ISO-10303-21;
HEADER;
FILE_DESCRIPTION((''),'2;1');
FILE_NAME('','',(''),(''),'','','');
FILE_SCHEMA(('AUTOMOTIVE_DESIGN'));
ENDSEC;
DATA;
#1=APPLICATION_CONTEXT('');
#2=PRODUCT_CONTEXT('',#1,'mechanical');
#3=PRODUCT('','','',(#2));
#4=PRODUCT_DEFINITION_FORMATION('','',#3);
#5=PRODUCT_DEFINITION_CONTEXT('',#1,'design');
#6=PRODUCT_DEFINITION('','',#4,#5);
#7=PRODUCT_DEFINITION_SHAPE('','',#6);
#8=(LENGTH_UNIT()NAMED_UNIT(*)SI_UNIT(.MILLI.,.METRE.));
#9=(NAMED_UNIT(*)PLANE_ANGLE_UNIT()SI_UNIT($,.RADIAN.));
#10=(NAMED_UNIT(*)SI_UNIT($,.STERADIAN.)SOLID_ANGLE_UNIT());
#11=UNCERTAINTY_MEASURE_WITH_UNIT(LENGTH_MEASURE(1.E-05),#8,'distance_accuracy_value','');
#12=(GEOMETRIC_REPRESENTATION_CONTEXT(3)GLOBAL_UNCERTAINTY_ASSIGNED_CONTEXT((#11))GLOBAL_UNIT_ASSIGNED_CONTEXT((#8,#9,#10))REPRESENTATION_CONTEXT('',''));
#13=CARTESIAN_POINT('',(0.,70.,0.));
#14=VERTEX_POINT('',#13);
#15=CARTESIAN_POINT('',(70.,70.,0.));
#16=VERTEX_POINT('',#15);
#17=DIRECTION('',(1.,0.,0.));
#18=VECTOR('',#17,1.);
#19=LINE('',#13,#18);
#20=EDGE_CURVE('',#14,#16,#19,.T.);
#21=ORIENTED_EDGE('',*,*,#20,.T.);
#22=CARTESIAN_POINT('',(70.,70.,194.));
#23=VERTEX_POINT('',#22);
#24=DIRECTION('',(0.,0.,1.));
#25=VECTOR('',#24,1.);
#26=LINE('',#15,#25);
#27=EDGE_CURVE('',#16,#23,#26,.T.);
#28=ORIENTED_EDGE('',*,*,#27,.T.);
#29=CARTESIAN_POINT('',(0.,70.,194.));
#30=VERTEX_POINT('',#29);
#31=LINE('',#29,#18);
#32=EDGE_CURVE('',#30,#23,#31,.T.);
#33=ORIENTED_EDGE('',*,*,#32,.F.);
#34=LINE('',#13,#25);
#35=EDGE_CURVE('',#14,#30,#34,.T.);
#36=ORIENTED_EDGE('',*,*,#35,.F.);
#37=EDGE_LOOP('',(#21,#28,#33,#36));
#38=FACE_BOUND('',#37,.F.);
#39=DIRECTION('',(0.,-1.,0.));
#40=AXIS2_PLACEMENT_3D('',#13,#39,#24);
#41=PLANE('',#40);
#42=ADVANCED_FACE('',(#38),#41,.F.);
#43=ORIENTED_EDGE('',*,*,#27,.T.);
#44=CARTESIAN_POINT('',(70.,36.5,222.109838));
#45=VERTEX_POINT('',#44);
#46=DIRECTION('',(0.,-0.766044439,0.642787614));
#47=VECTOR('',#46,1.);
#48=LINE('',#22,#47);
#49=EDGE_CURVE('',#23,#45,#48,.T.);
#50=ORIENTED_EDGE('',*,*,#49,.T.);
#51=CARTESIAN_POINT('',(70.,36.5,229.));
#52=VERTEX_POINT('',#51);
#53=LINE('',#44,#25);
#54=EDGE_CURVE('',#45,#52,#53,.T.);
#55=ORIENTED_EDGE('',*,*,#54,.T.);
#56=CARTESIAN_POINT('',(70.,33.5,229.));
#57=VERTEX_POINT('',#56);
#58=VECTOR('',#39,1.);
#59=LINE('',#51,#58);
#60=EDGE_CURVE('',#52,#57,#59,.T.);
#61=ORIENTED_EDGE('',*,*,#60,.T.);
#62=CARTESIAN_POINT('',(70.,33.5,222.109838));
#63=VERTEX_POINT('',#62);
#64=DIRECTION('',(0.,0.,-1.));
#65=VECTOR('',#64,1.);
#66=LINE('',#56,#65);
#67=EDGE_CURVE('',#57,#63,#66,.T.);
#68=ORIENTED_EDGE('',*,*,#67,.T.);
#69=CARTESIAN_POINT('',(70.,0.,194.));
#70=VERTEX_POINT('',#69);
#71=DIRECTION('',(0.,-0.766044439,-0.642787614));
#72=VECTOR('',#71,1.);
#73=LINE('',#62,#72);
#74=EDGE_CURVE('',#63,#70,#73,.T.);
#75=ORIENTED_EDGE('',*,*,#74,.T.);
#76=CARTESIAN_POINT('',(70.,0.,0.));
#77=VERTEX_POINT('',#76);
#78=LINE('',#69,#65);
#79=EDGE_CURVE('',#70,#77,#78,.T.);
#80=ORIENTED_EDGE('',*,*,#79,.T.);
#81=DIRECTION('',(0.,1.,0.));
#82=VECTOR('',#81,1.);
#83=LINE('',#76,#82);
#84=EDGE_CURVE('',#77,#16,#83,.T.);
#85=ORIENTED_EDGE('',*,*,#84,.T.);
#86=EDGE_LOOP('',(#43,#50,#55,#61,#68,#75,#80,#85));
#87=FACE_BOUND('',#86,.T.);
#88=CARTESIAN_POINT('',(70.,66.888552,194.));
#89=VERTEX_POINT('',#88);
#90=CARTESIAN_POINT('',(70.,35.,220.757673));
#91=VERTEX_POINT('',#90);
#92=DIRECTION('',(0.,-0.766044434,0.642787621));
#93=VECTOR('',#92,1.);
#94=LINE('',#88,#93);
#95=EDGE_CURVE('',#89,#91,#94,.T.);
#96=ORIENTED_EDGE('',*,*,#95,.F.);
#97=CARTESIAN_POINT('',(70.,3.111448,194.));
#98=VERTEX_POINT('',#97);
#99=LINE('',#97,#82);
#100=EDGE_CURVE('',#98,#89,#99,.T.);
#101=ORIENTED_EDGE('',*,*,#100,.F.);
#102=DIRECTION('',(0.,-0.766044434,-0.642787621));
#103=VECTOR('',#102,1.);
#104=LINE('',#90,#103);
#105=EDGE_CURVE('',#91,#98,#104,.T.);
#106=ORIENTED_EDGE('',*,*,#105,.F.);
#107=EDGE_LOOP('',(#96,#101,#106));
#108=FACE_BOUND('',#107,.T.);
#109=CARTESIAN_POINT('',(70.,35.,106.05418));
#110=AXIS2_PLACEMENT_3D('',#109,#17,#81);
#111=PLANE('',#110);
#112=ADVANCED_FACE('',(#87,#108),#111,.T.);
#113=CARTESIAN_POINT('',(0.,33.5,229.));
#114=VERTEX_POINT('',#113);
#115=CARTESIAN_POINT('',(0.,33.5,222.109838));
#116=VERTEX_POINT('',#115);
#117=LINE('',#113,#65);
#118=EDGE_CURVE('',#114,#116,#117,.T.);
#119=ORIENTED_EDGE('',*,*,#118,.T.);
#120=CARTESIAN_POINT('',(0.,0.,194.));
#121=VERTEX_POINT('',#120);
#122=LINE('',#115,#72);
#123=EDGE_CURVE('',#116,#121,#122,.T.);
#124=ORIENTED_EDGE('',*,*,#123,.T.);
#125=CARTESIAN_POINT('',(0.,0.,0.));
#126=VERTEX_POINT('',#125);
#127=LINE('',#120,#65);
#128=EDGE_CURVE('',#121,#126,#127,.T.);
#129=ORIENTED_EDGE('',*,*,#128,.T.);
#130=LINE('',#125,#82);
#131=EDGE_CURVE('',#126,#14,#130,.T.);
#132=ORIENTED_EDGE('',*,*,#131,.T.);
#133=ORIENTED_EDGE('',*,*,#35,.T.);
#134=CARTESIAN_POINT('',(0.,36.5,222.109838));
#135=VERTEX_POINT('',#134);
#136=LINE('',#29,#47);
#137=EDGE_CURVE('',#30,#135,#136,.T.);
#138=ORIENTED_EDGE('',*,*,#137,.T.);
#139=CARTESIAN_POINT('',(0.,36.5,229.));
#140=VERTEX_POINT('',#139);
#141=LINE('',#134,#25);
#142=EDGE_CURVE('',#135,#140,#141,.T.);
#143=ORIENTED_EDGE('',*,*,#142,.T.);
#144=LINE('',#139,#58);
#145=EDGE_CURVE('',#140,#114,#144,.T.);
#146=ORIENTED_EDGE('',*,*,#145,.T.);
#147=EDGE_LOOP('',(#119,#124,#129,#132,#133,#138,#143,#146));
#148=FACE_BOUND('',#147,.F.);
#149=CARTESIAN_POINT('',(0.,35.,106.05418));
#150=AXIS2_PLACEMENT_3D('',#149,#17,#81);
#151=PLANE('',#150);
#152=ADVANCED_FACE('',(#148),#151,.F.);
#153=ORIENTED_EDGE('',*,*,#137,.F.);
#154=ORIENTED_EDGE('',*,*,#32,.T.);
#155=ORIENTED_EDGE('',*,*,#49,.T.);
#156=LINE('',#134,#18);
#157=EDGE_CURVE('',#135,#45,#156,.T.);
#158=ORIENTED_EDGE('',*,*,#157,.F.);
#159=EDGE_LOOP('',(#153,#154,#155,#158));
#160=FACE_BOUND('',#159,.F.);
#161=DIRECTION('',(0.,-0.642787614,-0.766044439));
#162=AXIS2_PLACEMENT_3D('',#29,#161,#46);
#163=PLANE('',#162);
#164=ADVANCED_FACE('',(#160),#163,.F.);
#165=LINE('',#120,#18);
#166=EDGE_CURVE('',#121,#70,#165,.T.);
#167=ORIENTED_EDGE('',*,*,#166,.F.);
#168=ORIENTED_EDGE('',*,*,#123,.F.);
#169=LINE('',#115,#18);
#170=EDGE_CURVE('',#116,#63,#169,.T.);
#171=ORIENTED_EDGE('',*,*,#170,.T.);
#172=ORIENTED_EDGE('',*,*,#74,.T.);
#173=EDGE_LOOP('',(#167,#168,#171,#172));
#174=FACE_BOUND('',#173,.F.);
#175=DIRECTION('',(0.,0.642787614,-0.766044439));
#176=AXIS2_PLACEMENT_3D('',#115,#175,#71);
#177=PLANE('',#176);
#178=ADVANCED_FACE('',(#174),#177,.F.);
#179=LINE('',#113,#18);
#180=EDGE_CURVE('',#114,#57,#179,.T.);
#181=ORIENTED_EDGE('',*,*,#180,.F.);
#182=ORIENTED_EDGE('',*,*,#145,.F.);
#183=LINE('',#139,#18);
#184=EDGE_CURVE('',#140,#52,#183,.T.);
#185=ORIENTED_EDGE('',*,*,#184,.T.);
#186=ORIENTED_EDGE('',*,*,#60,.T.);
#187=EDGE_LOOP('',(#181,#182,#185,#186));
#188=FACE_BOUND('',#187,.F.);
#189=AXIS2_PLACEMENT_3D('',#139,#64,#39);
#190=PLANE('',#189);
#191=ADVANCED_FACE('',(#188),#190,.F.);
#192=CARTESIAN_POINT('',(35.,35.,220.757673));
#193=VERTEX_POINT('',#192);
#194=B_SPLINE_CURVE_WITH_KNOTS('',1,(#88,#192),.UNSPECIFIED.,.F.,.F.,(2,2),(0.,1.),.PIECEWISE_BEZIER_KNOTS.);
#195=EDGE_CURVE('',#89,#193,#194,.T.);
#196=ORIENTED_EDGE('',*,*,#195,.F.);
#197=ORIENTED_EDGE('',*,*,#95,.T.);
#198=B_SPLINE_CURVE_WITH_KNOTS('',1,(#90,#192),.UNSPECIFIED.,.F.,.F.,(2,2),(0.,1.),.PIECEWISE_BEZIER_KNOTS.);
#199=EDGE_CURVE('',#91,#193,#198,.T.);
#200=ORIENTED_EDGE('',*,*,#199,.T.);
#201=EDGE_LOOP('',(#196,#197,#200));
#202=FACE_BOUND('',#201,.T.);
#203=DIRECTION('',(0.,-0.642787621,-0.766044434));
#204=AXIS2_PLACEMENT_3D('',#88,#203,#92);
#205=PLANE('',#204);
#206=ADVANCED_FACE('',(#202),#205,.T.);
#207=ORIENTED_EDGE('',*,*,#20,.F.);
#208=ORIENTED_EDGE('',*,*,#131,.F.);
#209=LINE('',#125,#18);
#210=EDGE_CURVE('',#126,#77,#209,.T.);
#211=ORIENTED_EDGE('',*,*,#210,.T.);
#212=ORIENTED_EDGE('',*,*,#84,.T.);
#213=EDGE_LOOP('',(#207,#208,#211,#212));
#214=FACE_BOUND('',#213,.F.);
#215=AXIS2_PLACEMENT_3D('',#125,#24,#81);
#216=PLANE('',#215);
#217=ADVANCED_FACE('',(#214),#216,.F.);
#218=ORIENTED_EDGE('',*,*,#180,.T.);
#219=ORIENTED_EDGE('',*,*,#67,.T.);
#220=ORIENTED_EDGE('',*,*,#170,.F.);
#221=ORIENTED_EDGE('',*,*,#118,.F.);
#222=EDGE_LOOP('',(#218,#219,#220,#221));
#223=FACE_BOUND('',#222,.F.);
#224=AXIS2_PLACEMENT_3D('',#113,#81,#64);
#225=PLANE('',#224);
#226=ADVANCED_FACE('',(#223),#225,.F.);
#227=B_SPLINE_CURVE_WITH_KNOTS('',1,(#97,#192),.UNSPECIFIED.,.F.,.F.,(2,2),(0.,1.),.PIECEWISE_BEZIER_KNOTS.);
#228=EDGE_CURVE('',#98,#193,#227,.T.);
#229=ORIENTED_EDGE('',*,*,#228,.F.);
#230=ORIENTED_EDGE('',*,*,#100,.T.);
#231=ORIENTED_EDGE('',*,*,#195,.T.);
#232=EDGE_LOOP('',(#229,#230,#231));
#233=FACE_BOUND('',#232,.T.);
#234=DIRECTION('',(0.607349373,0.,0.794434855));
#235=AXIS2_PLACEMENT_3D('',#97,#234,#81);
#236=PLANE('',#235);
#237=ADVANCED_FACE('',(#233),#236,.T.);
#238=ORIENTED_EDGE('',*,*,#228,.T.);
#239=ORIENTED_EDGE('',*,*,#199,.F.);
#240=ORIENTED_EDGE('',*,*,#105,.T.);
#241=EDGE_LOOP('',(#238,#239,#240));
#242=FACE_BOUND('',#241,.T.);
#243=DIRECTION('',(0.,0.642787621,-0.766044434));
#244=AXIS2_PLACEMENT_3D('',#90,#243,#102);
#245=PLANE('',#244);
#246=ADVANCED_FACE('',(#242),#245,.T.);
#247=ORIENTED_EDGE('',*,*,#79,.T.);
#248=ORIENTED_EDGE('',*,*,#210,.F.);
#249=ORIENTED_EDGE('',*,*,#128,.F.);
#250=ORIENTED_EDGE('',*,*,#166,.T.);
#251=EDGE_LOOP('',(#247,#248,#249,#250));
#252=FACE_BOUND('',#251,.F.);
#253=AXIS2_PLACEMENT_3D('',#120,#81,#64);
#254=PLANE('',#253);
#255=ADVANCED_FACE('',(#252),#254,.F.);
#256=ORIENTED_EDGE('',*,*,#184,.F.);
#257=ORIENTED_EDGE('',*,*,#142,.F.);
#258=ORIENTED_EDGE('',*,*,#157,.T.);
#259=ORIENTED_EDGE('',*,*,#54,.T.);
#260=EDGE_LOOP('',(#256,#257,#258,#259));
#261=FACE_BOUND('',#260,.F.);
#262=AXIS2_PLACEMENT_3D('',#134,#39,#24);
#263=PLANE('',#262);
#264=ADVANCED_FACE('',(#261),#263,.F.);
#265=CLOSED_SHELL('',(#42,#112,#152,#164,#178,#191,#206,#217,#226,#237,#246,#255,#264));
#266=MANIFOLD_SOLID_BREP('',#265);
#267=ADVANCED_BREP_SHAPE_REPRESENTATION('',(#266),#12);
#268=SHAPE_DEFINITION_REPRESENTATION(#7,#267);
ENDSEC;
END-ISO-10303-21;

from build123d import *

# Parameters (mm, degrees)
F1_DEPTH = 70


with BuildPart() as f1:
    # F0 (on Right) → F1 (new body)
    with BuildSketch(Plane.YZ):
        Polygon((0, 194), (0, 0), (70, 0), (70, 194), (36.5, 222.109838), (36.5, 229), (33.5, 229), (33.5, 222.109838), align=None)
    extrude(amount=F1_DEPTH)

    # F2 (on face) → F5 section 0
    with BuildSketch(Plane.YZ.offset(70), mode=Mode.PRIVATE) as f5_s0:
        Polygon((35, 220.757673), (3.111448, 194), (66.888552, 194), align=None)
    loft([f5_s0.sketch, Vertex(35, 35, 220.757673)], mode=Mode.SUBTRACT)


solid = f1.part
